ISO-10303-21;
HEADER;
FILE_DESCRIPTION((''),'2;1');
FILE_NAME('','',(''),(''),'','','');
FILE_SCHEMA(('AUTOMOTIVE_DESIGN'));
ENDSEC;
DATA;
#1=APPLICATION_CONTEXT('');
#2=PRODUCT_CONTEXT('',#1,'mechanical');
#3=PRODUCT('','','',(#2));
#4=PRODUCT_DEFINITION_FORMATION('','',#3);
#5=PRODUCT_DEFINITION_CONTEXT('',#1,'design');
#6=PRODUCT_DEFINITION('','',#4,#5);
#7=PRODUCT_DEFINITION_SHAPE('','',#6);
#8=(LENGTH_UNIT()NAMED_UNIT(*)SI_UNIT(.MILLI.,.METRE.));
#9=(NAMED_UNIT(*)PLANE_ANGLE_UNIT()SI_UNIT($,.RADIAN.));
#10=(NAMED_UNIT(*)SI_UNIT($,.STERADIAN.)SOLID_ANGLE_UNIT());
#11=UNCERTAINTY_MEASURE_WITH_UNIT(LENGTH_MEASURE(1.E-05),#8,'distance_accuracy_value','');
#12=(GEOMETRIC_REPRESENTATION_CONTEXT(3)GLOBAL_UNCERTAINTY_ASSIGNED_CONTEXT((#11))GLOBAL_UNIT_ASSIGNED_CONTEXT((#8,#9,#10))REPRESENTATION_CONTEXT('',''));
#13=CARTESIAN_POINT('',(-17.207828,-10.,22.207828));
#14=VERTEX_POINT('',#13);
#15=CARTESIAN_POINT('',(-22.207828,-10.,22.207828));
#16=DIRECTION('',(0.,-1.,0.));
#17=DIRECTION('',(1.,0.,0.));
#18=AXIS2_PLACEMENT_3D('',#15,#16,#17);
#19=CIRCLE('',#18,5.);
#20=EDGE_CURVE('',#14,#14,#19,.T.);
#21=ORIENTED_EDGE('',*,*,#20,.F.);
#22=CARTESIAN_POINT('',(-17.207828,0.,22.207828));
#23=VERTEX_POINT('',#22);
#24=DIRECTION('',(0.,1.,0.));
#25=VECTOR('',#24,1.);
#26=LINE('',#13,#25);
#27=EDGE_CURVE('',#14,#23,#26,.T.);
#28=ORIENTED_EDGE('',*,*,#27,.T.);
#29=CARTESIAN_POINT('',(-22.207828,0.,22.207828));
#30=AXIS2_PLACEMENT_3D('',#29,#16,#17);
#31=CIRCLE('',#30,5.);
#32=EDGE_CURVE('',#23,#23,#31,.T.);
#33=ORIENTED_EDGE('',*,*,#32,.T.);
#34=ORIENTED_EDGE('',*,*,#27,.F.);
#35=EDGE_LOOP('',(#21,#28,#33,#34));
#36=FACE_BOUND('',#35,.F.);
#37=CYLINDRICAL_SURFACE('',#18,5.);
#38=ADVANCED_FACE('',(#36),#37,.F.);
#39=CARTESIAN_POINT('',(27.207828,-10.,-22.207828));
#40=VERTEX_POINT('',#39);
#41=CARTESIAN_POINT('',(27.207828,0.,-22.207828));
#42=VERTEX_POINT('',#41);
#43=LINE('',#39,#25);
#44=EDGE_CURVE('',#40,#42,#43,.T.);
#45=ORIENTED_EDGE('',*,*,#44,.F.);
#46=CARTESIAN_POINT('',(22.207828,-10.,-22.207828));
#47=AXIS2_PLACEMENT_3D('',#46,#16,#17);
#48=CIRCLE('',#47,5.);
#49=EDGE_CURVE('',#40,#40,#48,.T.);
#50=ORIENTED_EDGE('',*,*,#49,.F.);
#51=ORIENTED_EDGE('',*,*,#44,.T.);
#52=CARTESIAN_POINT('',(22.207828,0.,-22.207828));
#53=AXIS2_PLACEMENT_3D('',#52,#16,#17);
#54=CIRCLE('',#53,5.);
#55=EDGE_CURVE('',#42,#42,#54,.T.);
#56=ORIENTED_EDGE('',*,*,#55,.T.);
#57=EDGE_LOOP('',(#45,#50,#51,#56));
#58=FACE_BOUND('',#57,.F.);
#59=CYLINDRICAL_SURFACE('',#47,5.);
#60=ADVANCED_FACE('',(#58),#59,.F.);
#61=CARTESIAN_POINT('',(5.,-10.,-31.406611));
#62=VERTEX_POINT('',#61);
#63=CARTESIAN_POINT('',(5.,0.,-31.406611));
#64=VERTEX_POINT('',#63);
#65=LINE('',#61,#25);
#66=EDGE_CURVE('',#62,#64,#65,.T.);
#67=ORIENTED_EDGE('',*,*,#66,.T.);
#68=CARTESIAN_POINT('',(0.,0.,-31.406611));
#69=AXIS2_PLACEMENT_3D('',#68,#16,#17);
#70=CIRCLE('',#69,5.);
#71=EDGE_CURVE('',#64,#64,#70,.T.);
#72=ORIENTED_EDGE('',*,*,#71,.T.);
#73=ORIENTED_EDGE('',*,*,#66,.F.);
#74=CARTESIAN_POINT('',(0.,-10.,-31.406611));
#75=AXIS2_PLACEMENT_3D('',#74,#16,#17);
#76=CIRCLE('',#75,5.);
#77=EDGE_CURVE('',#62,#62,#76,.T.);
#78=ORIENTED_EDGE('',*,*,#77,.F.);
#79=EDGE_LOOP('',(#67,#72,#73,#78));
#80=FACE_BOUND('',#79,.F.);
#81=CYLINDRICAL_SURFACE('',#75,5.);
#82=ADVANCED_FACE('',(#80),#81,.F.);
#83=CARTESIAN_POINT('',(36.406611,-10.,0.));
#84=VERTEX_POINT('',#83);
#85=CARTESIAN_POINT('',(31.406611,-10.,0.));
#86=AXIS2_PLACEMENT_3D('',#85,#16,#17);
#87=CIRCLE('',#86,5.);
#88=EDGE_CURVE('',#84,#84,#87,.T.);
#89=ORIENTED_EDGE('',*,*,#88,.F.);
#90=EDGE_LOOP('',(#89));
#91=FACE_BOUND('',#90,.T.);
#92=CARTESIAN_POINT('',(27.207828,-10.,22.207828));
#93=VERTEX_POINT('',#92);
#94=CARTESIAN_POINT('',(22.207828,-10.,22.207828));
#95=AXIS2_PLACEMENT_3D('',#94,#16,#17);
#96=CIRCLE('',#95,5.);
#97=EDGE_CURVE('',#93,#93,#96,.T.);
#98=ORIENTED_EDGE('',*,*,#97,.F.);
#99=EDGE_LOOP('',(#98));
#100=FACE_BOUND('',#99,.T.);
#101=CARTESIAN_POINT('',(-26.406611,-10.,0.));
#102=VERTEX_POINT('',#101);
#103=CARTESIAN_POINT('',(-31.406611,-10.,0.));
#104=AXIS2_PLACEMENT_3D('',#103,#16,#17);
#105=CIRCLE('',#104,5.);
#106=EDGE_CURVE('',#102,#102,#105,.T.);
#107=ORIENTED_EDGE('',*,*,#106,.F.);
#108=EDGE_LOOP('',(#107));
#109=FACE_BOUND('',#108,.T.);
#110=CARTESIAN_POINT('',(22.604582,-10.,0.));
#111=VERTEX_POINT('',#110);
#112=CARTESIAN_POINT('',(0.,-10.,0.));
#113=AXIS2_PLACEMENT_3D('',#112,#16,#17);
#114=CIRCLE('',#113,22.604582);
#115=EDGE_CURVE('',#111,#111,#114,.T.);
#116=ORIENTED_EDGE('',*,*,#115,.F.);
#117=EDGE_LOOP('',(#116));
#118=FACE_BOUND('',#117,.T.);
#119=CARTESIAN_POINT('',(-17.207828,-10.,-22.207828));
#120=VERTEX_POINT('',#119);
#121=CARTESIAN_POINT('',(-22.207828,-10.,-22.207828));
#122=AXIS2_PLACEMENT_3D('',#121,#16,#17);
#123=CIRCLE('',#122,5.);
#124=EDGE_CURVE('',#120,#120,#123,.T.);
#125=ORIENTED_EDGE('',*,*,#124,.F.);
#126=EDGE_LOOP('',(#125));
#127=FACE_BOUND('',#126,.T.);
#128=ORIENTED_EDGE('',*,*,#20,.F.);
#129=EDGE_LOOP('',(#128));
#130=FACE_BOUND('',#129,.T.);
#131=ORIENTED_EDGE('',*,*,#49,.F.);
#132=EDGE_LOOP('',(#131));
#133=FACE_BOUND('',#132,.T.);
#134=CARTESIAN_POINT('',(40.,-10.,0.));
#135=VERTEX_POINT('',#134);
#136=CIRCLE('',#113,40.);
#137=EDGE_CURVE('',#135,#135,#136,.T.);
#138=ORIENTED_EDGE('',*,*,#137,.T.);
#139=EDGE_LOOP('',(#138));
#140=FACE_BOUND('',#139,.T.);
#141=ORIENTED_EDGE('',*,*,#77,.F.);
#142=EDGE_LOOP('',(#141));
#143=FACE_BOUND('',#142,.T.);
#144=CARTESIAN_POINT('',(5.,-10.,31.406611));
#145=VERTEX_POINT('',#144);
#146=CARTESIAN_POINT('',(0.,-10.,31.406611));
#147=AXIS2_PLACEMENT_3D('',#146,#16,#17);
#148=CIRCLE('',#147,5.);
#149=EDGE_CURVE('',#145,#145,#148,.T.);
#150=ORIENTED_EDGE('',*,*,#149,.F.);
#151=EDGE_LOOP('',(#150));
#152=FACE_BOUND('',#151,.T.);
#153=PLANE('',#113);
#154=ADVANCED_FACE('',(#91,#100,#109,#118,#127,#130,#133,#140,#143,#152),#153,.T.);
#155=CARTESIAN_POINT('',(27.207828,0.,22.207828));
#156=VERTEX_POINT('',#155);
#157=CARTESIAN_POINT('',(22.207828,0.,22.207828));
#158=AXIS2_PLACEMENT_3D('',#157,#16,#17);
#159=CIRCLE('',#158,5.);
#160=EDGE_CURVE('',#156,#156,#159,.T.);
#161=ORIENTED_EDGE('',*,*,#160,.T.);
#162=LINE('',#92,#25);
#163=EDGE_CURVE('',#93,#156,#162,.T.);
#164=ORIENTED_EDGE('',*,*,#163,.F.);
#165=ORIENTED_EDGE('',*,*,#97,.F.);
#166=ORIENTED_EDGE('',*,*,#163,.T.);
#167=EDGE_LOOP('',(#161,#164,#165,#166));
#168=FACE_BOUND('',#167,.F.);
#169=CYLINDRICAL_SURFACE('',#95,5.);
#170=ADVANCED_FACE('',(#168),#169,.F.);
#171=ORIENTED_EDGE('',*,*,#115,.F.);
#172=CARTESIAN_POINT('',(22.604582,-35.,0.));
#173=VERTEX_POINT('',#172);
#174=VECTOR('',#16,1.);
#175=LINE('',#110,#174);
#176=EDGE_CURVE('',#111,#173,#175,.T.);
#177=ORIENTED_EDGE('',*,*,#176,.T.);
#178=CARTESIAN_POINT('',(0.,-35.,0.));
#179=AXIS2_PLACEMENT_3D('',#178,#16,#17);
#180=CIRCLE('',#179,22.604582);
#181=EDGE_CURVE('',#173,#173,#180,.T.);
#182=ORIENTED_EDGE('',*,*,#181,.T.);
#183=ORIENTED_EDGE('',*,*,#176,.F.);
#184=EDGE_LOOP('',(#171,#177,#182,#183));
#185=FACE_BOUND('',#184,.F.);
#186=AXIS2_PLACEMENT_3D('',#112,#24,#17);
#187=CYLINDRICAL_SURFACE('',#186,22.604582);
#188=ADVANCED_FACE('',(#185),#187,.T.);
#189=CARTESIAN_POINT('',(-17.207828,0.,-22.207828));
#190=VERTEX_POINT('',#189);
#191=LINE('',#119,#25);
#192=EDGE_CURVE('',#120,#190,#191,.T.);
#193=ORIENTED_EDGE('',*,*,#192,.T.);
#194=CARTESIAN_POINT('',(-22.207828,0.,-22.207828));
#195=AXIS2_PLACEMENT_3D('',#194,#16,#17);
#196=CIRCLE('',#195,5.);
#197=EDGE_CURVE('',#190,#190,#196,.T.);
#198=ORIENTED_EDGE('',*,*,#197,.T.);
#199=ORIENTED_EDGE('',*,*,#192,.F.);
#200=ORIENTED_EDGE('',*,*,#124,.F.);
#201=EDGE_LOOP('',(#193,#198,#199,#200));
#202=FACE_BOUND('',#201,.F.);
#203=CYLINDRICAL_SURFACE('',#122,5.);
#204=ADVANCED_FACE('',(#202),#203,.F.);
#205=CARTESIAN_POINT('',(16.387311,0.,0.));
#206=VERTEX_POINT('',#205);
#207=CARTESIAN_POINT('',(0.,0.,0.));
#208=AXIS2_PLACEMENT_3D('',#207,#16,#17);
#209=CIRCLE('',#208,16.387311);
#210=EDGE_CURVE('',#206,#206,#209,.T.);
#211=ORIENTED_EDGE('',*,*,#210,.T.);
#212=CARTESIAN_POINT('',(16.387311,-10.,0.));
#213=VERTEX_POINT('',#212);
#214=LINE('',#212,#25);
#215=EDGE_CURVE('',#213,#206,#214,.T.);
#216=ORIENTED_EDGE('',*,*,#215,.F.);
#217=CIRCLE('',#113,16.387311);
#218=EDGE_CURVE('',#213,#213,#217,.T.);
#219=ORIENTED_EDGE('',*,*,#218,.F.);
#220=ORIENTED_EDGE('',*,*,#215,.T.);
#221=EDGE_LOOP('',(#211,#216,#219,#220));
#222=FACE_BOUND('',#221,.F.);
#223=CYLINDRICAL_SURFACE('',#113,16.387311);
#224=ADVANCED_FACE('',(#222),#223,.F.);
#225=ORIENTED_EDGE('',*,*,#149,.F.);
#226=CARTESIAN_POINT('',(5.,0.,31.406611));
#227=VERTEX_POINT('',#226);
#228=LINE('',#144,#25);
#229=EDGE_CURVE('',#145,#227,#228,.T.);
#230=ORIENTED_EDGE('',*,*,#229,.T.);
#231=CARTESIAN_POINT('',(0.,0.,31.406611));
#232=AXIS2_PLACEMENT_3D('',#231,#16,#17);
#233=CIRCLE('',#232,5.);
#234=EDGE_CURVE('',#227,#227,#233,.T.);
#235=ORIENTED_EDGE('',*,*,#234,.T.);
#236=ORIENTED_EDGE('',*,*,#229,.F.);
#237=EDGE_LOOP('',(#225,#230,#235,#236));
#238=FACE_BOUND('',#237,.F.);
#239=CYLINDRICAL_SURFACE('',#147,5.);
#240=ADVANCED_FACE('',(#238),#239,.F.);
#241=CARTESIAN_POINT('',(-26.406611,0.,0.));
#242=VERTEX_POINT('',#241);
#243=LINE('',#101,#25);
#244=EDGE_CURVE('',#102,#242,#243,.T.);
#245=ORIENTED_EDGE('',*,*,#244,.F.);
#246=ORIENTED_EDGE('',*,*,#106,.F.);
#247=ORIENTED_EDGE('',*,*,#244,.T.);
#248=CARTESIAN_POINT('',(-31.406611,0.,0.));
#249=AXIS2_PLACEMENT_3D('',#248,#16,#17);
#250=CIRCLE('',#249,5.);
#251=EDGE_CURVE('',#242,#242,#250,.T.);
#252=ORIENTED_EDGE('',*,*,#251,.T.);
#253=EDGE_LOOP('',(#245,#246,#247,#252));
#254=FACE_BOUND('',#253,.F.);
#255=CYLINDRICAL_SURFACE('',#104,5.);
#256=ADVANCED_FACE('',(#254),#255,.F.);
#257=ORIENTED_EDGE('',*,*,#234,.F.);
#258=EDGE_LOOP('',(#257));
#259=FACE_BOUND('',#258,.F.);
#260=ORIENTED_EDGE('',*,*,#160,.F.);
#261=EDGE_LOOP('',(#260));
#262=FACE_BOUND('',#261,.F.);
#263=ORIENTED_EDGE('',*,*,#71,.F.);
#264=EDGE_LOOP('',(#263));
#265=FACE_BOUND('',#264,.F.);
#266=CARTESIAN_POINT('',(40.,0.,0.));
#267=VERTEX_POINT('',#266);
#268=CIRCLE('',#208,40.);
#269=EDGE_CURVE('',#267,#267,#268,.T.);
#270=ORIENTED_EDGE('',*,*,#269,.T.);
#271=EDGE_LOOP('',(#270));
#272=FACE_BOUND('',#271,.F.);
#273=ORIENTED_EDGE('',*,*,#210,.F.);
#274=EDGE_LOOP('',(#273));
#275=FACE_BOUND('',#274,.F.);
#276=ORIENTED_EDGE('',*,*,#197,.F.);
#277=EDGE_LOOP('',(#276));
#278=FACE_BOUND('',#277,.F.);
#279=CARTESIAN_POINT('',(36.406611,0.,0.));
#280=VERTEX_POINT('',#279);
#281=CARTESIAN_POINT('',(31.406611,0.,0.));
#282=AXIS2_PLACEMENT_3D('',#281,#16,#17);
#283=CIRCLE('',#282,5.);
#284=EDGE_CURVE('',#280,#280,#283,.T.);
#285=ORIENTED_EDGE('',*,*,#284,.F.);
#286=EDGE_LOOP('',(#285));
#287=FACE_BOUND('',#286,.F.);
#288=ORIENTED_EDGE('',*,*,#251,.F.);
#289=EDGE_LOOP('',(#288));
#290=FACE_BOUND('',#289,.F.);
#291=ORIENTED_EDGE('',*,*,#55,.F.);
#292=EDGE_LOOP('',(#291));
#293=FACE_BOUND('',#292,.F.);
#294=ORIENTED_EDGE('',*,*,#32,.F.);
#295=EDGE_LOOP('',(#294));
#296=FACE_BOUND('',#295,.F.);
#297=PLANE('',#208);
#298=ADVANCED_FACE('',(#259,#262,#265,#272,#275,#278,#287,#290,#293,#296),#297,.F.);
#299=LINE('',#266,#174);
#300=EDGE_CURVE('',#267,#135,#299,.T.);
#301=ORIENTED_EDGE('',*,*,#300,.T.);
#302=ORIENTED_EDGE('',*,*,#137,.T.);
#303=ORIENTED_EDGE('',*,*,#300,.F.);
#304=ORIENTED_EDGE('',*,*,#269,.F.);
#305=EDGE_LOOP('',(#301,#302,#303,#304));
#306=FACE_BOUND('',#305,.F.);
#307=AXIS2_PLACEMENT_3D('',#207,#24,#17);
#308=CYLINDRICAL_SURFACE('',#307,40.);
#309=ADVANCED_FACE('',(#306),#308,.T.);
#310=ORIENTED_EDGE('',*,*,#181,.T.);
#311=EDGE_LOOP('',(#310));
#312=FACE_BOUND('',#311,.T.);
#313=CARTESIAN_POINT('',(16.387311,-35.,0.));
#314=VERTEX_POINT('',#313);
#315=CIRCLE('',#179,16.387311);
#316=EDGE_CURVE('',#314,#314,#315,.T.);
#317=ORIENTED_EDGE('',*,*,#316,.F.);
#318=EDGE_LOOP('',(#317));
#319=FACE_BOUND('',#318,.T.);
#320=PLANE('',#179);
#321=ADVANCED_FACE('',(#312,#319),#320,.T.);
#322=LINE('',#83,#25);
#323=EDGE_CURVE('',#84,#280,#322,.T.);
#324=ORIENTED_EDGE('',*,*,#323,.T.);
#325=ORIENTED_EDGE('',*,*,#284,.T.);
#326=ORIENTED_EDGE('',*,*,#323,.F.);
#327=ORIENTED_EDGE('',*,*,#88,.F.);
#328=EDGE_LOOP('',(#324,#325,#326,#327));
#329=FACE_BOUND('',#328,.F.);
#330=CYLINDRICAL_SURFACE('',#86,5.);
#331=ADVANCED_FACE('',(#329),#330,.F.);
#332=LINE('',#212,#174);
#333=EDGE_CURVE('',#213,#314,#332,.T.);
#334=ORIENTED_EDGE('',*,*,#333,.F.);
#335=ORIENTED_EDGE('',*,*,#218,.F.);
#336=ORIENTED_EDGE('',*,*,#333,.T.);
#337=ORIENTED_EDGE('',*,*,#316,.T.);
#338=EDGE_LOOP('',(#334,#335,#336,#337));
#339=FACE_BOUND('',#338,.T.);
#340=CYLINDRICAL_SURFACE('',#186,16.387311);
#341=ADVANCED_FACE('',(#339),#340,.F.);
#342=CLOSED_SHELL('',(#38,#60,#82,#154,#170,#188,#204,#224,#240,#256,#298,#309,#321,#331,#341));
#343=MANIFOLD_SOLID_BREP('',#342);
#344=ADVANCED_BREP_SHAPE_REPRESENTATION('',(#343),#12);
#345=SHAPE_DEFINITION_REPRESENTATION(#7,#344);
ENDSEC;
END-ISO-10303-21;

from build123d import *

# Parameters (mm, degrees)
F0_R      = 40
F1_DEPTH  = 10
F2_R      = 22.604582
F2_R_2    = 16.387311
F3_DEPTH  = 25
F3_FACE_R = 16.387311
F4_DEPTH  = 25
F5_R      = 5
F6_DEPTH  = 25


with BuildPart() as f1:
    # F0 (on Front) → F1 (new body)
    with BuildSketch(Plane.XZ):
        Circle(F0_R)
    extrude(amount=F1_DEPTH)

    # F2 (on face) → F3 (join)
    with BuildSketch(Plane.XZ.offset(10)):
        Circle(F2_R)
        Circle(F2_R_2, mode=Mode.SUBTRACT)
    extrude(amount=F3_DEPTH)

    # F3_face (on face) → F4 (cut)
    with BuildSketch(Plane.XZ.offset(10)):
        Circle(F3_FACE_R)
    extrude(amount=-F4_DEPTH, mode=Mode.SUBTRACT)

    # F5 (on face) → F6 (cut)
    with BuildSketch(Plane.XZ.offset(10)):
        with Locations((0, 31.406611)):
            Circle(F5_R)
        with Locations((-22.207828, 22.207828)):
            Circle(F5_R)
        with Locations((-31.406611, 0)):
            Circle(F5_R)
        with Locations((-22.207828, -22.207828)):
            Circle(F5_R)
        with Locations((0, -31.406611)):
            Circle(F5_R)
        with Locations((22.207828, -22.207828)):
            Circle(F5_R)
        with Locations((31.406611, 0)):
            Circle(F5_R)
        with Locations((22.207828, 22.207828)):
            Circle(F5_R)
    extrude(amount=-F6_DEPTH, mode=Mode.SUBTRACT)


solid = f1.part
